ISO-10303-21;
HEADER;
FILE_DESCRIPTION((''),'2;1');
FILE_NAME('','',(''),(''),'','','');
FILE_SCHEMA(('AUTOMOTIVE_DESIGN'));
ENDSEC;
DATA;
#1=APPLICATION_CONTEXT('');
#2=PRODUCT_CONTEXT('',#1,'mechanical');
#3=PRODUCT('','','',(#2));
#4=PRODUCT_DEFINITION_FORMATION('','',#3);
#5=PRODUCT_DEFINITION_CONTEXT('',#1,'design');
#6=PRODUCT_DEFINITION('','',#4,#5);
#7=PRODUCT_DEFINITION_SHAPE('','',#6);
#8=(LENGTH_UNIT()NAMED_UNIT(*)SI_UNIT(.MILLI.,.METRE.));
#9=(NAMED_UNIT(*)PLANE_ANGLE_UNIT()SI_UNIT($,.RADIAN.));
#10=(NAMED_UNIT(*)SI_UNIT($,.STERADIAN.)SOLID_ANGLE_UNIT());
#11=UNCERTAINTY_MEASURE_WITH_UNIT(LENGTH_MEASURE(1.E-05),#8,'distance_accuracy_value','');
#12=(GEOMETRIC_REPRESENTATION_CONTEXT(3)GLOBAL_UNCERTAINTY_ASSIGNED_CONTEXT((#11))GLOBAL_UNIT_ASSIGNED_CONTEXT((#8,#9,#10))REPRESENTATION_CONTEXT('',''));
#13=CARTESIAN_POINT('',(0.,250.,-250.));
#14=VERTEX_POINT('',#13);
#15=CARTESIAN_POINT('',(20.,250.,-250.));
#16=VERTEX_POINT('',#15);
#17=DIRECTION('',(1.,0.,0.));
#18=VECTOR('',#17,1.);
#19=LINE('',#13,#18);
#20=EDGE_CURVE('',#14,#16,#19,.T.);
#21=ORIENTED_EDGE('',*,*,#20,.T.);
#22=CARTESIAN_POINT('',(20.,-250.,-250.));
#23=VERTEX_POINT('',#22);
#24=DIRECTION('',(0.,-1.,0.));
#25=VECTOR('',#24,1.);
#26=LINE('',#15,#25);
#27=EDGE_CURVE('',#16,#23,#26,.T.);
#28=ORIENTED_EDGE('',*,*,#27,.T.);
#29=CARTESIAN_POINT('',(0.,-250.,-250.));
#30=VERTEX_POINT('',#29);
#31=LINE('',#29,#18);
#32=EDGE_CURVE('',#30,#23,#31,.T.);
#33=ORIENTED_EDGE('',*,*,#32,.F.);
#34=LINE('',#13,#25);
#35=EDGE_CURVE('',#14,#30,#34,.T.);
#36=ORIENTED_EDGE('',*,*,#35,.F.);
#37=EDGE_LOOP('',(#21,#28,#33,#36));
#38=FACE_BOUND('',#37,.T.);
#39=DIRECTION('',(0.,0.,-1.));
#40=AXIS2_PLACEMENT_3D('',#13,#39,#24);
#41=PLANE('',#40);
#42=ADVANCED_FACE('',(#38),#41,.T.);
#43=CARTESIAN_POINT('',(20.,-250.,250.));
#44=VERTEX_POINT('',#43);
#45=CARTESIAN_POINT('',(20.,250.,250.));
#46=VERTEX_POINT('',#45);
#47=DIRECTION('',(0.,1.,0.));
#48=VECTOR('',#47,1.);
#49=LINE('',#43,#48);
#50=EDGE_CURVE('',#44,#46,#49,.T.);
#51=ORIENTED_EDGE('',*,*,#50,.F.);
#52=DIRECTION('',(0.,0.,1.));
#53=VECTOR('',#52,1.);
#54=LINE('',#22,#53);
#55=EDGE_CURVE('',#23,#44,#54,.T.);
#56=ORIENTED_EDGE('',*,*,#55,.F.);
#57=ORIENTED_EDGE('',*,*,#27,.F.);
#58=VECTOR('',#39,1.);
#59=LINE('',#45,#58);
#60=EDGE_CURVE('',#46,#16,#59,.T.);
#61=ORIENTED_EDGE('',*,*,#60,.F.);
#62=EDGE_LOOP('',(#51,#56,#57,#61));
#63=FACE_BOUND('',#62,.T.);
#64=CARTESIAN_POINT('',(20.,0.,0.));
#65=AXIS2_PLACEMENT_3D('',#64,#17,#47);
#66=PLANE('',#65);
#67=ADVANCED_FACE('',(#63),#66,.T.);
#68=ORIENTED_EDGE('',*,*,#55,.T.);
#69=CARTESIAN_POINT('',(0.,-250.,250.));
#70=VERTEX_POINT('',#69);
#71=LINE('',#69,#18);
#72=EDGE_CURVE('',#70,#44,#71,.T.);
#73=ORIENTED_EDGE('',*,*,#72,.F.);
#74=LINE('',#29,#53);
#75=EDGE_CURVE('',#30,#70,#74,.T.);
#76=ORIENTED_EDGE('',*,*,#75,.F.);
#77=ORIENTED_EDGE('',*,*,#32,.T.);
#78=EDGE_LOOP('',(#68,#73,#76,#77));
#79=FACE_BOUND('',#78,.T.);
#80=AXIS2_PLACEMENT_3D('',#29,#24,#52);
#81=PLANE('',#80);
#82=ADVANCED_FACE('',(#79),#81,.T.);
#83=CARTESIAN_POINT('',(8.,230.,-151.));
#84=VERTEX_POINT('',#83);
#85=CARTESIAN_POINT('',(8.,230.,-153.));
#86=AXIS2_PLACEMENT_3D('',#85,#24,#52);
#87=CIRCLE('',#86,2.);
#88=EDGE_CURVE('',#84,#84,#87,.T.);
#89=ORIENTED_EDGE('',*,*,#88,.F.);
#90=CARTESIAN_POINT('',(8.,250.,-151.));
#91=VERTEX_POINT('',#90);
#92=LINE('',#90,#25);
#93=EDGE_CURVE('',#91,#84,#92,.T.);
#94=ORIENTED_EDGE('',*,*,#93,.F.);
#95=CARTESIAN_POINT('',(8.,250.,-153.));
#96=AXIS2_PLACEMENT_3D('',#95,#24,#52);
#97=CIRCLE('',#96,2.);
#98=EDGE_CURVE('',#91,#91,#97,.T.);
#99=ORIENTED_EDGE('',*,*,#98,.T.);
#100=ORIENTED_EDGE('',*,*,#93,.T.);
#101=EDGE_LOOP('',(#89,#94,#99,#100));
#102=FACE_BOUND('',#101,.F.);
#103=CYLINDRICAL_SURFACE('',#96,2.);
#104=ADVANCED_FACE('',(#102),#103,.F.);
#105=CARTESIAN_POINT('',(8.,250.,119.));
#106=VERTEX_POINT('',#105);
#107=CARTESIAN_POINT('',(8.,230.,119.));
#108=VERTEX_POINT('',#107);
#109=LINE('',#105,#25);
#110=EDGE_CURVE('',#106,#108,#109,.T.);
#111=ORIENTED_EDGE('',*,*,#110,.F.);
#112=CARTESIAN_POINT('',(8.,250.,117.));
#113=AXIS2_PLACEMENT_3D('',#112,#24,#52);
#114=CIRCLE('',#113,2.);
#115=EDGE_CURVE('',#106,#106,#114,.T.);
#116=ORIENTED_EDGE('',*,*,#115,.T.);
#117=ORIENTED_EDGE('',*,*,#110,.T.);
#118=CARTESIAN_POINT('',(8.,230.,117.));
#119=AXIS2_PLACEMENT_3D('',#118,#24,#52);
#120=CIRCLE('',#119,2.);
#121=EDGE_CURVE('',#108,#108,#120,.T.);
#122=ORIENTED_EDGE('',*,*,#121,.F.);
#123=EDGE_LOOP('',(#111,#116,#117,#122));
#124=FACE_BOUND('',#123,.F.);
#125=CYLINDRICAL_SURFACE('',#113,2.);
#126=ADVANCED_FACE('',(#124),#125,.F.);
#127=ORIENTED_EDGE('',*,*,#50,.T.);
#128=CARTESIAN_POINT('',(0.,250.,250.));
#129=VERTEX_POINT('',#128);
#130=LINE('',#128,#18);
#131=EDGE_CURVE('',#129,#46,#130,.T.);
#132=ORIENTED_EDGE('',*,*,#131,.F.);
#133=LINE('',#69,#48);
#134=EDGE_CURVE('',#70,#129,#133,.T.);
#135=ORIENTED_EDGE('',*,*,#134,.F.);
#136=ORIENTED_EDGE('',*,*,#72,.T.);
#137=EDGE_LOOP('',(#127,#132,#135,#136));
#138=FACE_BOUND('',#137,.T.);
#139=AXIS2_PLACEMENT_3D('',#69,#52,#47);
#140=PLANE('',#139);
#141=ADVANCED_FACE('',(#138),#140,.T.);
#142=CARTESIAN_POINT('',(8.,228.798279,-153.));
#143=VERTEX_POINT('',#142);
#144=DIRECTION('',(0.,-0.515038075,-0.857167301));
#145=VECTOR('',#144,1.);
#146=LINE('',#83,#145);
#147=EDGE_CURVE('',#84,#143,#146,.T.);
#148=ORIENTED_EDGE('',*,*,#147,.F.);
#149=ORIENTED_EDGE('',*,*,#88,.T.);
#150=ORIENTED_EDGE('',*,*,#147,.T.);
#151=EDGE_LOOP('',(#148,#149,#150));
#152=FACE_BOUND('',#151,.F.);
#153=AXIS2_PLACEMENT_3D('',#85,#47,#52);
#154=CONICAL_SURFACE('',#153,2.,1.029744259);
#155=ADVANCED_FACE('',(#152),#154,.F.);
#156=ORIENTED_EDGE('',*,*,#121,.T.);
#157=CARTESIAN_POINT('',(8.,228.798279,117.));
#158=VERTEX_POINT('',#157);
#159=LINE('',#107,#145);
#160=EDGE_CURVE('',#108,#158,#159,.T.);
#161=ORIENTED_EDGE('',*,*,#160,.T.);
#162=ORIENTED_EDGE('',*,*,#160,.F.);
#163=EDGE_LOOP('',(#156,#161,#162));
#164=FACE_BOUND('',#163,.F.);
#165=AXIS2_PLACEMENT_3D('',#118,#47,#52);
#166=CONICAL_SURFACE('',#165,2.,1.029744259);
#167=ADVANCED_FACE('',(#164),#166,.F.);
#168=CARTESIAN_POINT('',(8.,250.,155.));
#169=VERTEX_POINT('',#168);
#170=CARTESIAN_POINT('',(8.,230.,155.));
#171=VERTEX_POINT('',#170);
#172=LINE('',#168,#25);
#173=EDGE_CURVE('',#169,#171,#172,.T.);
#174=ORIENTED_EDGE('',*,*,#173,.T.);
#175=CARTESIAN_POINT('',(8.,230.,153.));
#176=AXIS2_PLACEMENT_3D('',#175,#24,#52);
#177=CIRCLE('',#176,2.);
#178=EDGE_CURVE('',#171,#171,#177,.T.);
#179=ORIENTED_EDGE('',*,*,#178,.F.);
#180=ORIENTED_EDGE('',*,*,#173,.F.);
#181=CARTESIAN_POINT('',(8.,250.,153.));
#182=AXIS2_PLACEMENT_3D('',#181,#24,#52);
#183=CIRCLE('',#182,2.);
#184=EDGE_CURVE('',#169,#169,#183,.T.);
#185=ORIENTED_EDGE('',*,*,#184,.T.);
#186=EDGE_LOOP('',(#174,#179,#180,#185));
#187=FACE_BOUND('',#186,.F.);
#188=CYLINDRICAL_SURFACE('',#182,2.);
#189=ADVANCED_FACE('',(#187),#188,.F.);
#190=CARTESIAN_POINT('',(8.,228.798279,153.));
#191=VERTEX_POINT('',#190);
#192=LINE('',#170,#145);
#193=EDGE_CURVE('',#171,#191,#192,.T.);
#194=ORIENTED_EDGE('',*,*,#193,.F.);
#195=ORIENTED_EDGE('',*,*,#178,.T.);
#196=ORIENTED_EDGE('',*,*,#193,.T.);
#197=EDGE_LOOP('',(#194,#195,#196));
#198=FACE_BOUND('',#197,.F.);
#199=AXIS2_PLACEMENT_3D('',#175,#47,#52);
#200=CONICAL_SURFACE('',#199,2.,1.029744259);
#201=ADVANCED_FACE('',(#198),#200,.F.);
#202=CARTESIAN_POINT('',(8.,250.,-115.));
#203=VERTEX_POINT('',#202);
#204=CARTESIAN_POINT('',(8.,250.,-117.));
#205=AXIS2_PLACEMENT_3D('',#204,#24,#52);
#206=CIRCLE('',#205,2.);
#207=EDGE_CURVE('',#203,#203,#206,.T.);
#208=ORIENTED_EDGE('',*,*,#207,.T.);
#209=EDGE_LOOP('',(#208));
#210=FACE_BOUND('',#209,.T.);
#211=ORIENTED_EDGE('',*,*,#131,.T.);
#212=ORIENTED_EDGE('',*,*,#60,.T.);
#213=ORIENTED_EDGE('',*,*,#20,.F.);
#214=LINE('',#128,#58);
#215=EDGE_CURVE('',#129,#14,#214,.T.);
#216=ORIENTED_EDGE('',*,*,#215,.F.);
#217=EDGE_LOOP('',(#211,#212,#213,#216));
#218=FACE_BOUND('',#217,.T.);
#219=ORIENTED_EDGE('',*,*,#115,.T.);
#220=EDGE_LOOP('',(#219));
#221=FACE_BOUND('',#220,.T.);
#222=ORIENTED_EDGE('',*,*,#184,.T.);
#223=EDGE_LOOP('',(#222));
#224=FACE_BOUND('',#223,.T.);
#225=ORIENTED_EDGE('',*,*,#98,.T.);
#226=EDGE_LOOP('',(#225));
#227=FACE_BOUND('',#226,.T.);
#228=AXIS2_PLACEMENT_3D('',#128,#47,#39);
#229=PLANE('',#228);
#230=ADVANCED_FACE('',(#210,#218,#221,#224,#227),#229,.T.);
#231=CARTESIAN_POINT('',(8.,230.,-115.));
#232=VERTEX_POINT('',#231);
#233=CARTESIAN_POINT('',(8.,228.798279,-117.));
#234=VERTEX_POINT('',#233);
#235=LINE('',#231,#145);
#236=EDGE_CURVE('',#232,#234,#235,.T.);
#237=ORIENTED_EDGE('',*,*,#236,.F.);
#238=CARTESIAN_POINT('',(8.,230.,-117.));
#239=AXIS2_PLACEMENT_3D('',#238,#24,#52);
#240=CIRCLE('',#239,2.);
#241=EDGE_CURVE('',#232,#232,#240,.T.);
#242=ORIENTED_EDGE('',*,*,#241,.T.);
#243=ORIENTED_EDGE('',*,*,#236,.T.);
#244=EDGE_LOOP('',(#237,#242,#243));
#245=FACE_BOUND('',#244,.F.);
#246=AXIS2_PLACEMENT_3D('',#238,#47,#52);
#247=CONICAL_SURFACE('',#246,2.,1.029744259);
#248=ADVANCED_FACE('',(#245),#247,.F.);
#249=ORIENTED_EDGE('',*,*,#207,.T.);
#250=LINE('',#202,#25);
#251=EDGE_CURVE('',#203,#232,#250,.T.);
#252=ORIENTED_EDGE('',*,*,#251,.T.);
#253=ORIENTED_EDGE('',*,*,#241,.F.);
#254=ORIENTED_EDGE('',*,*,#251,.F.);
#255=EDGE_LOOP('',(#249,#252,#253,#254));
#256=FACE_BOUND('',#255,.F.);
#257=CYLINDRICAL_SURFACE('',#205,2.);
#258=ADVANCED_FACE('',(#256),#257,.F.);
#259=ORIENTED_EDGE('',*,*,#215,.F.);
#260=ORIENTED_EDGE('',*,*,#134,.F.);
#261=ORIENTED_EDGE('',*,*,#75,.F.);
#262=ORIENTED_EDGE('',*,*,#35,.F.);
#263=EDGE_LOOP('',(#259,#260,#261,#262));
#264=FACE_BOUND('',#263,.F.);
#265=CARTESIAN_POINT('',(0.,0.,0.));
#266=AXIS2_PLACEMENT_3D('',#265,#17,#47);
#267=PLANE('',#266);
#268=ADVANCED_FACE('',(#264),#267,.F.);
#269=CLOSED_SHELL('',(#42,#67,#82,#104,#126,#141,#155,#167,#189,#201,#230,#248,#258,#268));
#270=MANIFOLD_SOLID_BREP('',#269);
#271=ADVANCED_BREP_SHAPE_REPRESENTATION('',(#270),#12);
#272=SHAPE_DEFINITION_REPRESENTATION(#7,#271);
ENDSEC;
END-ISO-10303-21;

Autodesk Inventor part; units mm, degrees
ref_plane "YZ Plane" through (0, 0, 0) normal (1, 0, 0) x (0, 1, 0)
ref_plane "XZ Plane" through (0, 0, 0) normal (0, 1, 0) x (-1, 0, 0)
ref_plane "XY Plane" through (0, 0, 0) normal (0, 0, 1) x (1, 0, 0)
sketch "Skizze1" plane through (0, 0, 0) normal (1, 0, 0) x (0, 1, 0)
  line L0 (-250, 250) -> (250, 250)
  line L1 (250, 250) -> (250, -250)
  line L2 (250, -250) -> (-250, -250)
  line L3 (-250, -250) -> (-250, 250)
  line L4 (-250, 250) -> (250, -250) construction
  line L5 (250, 250) -> (-250, -250) construction
  point P0 (0, 0)
  dimension "d0" = 500
  dimension "d1" = 500
extrude "Extrusion1" add sketch "Skizze1" along normal blind 20
sketch "Skizze4" plane through (0, 250, 250) normal (0, 1, 0) x (1, 0, 0)
  line L0 (20, 500) -> (8, 500)
  line L1 (0, 500) -> (20, 500) projected
  line L2 (8, 500) -> (8, 415)
  line L3 (8, 415) -> (8, 403)
  line L4 (8, 403) -> (8, 367)
  line L5 (0, 500) -> (0, 0) projected
  line L6 (20, 500) -> (20, 0) projected
  line L7 (20, 0) -> (8, 0)
  line L8 (0, 0) -> (20, 0) projected
  line L9 (8, 0) -> (8, 85)
  line L10 (8, 85) -> (8, 97)
  line L11 (8, 97) -> (8, 133)
  point P0 (0, 250)
  dimension "d37" = 85
  dimension "d38" = 12
  dimension "d39" = 36
  dimension "d41" = 12
  dimension "d42" = 85
  dimension "d43" = 12
  dimension "d44" = 36
hole "Bohrung1" at (8, 250, -153) at (8, 250, -117) at (8, 250, 153) at (8, 250, 117) direction (0, -1, 0) diameter 4 depth 20 tip angle 118
properties part number "Sitzlehne" material "Holz (Birke)"
